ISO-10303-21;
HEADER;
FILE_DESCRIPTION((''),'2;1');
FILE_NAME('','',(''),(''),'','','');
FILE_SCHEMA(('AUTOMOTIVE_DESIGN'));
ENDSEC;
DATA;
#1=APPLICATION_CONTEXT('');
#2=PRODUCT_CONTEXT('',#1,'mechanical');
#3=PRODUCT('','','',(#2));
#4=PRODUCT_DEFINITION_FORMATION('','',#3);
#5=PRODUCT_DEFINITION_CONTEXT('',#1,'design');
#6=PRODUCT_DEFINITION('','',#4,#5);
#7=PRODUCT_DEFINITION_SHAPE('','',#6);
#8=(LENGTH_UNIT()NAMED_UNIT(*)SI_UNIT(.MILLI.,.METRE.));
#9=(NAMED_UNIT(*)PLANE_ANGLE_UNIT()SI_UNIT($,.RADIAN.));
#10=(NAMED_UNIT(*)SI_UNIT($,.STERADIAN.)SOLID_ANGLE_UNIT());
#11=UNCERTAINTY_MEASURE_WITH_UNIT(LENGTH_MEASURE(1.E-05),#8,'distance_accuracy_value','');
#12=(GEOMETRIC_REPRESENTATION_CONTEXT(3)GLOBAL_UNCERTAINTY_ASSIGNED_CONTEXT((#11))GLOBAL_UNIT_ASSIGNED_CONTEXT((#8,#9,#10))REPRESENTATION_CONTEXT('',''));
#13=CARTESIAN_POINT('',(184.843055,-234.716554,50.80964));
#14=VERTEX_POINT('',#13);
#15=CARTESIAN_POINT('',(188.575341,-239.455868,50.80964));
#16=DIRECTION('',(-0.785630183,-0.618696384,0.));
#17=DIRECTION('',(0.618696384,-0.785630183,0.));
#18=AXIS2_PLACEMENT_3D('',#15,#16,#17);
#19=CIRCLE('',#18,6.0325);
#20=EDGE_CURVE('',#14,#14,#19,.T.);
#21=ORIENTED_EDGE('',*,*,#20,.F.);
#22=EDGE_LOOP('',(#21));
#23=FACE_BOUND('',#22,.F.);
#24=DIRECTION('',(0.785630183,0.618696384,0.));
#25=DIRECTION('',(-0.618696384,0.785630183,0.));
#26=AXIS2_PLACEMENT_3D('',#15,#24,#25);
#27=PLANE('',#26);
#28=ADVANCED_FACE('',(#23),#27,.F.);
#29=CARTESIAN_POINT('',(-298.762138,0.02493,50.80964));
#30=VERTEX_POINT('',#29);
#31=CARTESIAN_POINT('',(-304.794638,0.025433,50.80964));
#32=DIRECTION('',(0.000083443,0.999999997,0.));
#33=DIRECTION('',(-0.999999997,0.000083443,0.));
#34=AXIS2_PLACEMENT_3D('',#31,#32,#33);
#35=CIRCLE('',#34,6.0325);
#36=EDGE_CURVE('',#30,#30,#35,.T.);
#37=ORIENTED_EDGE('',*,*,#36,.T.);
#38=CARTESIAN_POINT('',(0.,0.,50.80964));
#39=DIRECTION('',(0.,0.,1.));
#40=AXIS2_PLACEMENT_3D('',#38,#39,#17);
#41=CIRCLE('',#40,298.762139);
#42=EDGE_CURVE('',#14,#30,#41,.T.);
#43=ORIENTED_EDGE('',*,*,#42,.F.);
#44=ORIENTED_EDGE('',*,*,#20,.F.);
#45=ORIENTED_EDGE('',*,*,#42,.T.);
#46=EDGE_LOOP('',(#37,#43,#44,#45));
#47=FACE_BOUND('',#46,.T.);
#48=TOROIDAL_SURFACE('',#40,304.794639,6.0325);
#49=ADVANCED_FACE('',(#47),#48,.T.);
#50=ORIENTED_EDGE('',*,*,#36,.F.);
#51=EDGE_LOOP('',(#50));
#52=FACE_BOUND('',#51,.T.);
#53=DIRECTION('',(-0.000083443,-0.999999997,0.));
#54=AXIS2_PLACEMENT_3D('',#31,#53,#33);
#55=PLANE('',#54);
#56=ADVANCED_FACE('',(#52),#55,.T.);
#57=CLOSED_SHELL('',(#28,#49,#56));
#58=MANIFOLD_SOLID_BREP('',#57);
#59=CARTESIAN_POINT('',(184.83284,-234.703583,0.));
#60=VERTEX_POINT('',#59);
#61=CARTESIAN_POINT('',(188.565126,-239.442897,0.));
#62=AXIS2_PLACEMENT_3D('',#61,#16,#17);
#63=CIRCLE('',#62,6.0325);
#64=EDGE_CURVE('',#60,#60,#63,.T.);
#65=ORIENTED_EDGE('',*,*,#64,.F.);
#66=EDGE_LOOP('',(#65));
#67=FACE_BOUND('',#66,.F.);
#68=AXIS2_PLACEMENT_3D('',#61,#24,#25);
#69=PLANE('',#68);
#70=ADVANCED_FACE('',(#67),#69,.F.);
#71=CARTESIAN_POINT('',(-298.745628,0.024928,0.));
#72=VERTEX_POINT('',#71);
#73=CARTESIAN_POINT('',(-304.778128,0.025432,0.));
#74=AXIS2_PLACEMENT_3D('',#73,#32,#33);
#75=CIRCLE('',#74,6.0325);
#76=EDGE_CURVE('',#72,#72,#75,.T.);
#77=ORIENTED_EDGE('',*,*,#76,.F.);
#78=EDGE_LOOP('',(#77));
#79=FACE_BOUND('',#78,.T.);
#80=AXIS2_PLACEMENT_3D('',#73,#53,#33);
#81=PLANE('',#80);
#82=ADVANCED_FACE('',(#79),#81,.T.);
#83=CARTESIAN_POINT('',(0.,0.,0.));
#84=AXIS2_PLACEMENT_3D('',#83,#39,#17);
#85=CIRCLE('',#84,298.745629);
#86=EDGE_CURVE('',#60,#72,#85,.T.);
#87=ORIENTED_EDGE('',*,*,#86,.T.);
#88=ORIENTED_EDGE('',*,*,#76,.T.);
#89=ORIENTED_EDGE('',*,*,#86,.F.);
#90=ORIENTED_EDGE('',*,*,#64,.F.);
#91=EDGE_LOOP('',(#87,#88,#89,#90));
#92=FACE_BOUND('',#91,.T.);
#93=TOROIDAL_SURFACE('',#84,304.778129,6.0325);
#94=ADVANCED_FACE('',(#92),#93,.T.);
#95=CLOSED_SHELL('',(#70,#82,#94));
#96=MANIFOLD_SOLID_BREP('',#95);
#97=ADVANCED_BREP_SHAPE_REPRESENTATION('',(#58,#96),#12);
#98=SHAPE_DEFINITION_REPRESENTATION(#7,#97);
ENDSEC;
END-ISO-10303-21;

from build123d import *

# Parameters (mm, degrees)
F4_R = 6.0325
F5_R = 6.0325


with BuildPart() as f6:
    # F6: sweep along a path in F2
    with BuildLine(Plane.XY.offset(50.8)) as f6_path:
        ThreePointArc((188.5786577497, -239.4600798491), (133.0983764058, 274.2040521184), (-304.7999989389, 0.0254334073))
    # F4 (on line) → F6 (sweep)
    with BuildSketch(Plane(origin=(0, 0, 0), x_dir=(-0.6186963837, 0.7856301832, 0), z_dir=(0.7856301832, 0.6186963837, 0))):
        with Locations((-304.794639349, 50.8096404374)):
            Circle(F4_R)
    sweep(path=f6_path.line)


with BuildPart() as f7:
    # F7: sweep along a path in F0
    with BuildLine(Plane.XY) as f7_path:
        ThreePointArc((188.5786577497, -239.4600798491), (133.0983764058, 274.2040521184), (-304.7999989389, 0.0254334073))
    # F5 (on line) → F7 (sweep)
    with BuildSketch(Plane(origin=(0, 0, 0), x_dir=(-0.6186963837, 0.7856301832, 0), z_dir=(0.7856301832, 0.6186963837, 0))):
        with Locations((-304.7781288624, 0)):
            Circle(F5_R)
    sweep(path=f7_path.line)


solid = Compound([f6.part, f7.part])
